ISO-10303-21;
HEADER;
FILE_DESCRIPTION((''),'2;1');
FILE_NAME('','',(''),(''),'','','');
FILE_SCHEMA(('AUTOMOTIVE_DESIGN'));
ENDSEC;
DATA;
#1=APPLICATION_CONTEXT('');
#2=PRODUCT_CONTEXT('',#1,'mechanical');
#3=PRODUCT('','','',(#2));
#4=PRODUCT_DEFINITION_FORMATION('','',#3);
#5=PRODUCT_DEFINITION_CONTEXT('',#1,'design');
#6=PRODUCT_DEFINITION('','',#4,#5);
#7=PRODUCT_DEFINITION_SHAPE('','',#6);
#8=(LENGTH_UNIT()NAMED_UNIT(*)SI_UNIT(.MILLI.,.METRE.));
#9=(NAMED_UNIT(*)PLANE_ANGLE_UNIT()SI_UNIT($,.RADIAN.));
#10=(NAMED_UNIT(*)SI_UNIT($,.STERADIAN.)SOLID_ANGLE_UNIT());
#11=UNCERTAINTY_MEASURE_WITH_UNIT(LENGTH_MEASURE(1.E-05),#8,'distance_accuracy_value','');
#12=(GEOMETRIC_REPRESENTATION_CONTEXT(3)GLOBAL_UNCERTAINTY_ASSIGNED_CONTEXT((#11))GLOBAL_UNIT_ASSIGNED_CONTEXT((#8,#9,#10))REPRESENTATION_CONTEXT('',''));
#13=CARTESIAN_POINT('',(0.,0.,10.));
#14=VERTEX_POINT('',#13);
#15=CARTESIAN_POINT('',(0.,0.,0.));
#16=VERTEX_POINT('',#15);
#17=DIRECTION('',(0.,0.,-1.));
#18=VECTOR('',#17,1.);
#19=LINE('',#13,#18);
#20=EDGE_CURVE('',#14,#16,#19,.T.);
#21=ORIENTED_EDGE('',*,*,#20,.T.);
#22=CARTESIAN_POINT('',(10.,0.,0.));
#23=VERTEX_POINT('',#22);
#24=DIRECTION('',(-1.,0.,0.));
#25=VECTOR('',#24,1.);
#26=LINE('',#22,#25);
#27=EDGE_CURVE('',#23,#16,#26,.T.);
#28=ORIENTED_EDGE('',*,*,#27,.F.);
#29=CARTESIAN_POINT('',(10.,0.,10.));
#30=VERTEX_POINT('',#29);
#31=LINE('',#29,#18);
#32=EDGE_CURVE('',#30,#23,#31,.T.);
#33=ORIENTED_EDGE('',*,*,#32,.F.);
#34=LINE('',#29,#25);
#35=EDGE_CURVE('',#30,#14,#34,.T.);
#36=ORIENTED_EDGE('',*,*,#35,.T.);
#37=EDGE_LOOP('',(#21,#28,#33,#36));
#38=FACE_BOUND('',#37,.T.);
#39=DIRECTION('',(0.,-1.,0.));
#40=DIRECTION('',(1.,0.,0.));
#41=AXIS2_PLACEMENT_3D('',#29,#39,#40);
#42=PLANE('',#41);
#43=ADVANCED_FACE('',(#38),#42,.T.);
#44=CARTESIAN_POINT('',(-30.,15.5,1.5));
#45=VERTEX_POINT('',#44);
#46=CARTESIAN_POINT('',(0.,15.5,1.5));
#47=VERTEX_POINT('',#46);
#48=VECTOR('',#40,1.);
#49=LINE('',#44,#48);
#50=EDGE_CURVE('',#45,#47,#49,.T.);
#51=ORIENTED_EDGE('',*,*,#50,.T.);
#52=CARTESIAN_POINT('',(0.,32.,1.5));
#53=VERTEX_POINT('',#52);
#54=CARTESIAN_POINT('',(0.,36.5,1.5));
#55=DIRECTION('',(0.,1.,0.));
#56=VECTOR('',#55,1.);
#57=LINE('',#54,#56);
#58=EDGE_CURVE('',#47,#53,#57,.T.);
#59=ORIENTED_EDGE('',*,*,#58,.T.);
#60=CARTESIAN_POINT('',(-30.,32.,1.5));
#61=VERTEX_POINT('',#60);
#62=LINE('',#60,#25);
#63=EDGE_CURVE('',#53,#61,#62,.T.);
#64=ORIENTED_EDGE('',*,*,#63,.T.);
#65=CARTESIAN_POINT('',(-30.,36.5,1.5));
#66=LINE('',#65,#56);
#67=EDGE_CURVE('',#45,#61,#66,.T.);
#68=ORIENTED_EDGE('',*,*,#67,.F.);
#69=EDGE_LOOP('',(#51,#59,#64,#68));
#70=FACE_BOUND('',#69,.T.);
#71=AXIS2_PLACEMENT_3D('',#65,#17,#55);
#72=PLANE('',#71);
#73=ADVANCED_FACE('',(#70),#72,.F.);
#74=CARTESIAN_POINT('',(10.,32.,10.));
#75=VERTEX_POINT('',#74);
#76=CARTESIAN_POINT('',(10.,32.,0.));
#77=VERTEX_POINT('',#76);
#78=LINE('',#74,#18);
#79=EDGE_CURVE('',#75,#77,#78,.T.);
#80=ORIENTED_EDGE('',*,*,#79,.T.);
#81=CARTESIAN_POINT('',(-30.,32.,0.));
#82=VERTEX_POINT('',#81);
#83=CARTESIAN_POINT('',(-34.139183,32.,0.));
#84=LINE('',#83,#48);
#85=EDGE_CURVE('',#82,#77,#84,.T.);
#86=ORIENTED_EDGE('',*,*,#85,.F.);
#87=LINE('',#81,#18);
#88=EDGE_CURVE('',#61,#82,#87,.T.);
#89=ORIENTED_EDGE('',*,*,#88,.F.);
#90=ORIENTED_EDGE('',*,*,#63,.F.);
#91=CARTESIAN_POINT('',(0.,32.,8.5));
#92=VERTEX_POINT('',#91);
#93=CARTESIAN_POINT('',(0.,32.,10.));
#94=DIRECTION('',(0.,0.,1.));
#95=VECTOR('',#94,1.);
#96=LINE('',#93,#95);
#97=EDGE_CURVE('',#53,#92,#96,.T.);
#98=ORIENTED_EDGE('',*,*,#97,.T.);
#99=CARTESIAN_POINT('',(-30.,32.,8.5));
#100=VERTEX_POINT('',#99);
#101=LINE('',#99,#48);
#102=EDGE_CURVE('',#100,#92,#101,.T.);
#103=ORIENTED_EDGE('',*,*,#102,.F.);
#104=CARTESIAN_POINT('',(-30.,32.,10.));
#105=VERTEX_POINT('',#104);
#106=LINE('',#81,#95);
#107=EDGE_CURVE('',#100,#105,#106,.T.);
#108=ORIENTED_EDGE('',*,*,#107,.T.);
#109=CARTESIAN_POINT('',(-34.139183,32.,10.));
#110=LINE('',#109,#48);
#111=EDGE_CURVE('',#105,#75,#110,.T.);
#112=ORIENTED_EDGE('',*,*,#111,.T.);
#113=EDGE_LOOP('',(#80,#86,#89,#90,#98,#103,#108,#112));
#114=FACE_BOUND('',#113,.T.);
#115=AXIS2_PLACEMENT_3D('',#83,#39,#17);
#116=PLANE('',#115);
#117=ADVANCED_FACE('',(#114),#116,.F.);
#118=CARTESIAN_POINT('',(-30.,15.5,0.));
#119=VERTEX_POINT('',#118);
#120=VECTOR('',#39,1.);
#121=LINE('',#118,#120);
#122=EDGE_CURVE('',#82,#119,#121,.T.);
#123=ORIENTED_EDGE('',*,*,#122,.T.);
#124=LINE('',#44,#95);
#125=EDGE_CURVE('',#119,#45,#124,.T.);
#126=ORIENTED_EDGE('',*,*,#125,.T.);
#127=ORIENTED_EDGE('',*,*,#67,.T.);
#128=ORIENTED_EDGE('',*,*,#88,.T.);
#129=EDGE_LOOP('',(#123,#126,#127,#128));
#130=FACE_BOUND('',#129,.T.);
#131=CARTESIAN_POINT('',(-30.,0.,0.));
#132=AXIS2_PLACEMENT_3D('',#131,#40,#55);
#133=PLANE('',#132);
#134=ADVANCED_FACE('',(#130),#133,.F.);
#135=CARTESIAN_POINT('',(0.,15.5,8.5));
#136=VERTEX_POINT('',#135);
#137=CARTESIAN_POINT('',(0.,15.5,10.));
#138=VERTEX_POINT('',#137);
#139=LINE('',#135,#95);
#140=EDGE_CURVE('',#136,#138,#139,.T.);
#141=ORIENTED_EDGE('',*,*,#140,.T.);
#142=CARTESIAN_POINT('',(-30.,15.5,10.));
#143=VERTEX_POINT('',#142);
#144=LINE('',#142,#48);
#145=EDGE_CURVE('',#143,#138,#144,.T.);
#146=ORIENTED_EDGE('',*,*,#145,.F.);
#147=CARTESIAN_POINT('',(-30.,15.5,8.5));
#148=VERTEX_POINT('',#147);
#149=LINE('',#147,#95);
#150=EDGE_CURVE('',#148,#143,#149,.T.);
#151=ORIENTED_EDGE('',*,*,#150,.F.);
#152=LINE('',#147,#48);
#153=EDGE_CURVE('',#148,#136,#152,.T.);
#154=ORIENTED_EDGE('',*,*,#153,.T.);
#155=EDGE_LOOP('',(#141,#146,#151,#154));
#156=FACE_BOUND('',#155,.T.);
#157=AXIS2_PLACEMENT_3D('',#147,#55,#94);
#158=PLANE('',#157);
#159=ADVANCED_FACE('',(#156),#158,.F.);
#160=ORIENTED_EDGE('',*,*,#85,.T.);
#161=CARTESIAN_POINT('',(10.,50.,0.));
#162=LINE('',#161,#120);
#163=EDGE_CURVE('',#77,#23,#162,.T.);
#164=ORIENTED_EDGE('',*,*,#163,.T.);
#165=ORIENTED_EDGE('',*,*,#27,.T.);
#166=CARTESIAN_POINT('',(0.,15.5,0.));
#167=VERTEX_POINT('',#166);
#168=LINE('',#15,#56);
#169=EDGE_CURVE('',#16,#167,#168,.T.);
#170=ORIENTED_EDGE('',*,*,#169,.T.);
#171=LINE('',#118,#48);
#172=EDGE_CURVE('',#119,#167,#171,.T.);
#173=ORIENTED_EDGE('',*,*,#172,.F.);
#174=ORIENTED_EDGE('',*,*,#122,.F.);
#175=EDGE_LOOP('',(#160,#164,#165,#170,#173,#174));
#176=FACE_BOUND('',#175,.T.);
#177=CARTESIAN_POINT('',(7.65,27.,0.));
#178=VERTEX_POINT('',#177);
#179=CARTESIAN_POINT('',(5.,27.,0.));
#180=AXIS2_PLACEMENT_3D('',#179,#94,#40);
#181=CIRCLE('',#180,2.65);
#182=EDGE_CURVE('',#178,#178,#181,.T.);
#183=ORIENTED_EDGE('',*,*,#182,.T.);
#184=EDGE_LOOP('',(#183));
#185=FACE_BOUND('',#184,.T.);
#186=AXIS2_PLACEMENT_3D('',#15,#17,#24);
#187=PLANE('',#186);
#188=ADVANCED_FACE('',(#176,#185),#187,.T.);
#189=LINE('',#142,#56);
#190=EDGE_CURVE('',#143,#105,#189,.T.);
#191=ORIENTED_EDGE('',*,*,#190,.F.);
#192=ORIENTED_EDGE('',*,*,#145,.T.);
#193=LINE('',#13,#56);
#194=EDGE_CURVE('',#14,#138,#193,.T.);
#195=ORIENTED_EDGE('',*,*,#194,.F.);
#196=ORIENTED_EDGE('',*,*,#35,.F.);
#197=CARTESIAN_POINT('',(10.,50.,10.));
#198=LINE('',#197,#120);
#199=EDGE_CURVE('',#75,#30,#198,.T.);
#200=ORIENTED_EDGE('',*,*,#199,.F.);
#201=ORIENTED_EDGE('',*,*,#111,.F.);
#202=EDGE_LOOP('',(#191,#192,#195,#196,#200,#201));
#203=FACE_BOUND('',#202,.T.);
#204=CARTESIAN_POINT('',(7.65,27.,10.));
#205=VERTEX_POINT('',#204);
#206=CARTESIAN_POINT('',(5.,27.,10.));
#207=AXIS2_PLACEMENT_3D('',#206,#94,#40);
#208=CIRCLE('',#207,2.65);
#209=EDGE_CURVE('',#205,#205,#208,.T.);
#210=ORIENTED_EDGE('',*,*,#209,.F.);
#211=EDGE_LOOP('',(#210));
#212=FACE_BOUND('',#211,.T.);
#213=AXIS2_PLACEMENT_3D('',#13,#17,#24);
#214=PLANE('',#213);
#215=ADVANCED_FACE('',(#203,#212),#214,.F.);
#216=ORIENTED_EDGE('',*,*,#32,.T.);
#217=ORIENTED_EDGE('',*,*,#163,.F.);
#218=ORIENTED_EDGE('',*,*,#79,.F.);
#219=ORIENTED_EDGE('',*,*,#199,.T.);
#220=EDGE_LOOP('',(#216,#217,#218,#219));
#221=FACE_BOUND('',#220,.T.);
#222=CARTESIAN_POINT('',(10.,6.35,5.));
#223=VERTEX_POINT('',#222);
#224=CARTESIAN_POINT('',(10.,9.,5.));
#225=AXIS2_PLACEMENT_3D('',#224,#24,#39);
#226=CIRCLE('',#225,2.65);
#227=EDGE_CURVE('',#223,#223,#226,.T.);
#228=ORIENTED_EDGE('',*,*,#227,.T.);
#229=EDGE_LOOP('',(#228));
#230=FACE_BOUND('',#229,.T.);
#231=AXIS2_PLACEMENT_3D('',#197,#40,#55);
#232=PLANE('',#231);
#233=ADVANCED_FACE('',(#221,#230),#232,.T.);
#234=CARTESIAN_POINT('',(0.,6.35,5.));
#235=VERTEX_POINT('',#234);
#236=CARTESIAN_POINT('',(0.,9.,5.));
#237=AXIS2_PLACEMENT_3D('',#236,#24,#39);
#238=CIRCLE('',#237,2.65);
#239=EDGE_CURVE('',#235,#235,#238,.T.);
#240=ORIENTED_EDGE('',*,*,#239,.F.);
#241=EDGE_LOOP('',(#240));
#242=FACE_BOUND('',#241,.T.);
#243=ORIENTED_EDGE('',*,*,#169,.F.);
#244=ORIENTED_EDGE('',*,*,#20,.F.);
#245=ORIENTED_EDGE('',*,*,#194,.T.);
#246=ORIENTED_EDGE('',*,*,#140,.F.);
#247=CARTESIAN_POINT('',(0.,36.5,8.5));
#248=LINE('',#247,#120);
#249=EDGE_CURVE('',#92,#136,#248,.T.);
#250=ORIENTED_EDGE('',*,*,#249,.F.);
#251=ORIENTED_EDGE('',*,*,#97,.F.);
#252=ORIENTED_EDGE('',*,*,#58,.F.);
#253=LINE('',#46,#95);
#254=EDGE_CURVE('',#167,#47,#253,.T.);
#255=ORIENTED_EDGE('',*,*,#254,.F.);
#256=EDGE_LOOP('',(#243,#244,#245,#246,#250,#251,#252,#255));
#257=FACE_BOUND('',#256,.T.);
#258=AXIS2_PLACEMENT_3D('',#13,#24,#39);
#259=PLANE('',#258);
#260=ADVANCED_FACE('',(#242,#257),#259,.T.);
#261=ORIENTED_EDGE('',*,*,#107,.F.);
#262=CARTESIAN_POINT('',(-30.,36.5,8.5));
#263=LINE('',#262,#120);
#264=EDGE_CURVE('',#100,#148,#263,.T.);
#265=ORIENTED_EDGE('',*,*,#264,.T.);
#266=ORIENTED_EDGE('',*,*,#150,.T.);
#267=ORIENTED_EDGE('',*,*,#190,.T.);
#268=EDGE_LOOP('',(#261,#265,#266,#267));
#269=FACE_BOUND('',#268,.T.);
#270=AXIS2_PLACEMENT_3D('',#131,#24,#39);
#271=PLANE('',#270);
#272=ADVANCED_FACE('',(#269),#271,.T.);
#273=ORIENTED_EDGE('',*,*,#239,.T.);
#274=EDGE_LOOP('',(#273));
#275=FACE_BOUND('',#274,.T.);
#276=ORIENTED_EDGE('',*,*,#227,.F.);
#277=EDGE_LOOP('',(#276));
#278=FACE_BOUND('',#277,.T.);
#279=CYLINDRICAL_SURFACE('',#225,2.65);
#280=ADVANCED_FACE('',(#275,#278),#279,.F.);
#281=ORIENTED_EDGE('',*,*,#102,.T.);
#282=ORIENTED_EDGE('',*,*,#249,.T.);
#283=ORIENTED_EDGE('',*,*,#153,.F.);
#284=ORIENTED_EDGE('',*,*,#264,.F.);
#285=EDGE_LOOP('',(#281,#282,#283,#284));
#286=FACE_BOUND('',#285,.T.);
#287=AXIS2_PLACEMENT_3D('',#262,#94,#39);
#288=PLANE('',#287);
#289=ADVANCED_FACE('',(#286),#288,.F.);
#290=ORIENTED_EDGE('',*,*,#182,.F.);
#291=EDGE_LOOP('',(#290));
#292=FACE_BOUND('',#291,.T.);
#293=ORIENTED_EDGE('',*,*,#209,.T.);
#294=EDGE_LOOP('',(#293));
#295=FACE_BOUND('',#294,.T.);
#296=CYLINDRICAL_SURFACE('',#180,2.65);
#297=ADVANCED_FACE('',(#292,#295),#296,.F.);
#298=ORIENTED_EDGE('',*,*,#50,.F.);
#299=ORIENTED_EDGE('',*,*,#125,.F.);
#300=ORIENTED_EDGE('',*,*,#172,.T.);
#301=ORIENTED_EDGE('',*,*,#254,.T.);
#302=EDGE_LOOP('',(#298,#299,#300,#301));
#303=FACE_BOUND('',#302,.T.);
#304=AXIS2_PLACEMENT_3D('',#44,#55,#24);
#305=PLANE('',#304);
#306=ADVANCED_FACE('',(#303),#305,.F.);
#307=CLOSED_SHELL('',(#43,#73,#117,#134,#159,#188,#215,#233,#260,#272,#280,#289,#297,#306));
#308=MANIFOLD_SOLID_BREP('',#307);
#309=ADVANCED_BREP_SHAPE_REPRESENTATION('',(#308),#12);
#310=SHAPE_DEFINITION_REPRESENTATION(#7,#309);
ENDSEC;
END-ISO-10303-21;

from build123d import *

# Parameters (mm, degrees)
SKETCH2_W           = 10
SKETCH2_H           = 50
BOSS_EXTRUDE1_DEPTH = 10
SKETCH6_R           = 2.65
CUT_EXTRUDE3_DEPTH  = 11
SKETCH7_R           = 2.35
SKETCH7_R_2         = 2.65
CUT_EXTRUDE4_DEPTH  = 11
SKETCH8_W           = 1.5
SKETCH8_H           = 21
BOSS_EXTRUDE2_DEPTH = 30
SKETCH9_W           = 52.99414334
SKETCH9_H           = 19.059793282
CUT_EXTRUDE5_DEPTH  = 11


with BuildPart() as part:
    # Sketch2 → Boss-Extrude1 (new body)
    with BuildSketch(Plane.XY):
        with Locations((5, 25)):
            Rectangle(SKETCH2_W, SKETCH2_H)
    extrude(amount=BOSS_EXTRUDE1_DEPTH)

    # Sketch6 → Cut-Extrude3 (cut, through all)
    with BuildSketch(Plane.XY.offset(10)):
        with Locations((5, 27)):
            Circle(SKETCH6_R)
    extrude(amount=-CUT_EXTRUDE3_DEPTH, mode=Mode.SUBTRACT)

    # Sketch7 → Cut-Extrude4 (cut, through all)
    with BuildSketch(Plane.ZY):
        with Locations((5, 41)):
            Circle(SKETCH7_R)
        with Locations((5, 9)):
            Circle(SKETCH7_R_2)
    extrude(amount=-CUT_EXTRUDE4_DEPTH, mode=Mode.SUBTRACT)

    # Sketch8 → Boss-Extrude2 (add)
    with BuildSketch(Plane.ZY):
        with Locations((9.25, 26)):
            Rectangle(SKETCH8_W, SKETCH8_H)
        with Locations((0.75, 26)):
            Rectangle(SKETCH8_W, SKETCH8_H)
    extrude(amount=BOSS_EXTRUDE2_DEPTH)

    # Sketch9 → Cut-Extrude5 (cut, through all)
    with BuildSketch(Plane.XY.offset(10)):
        with Locations((-7.642110933, 41.529896641)):
            Rectangle(SKETCH9_W, SKETCH9_H)
    extrude(amount=-CUT_EXTRUDE5_DEPTH, mode=Mode.SUBTRACT)


solid = part.part
